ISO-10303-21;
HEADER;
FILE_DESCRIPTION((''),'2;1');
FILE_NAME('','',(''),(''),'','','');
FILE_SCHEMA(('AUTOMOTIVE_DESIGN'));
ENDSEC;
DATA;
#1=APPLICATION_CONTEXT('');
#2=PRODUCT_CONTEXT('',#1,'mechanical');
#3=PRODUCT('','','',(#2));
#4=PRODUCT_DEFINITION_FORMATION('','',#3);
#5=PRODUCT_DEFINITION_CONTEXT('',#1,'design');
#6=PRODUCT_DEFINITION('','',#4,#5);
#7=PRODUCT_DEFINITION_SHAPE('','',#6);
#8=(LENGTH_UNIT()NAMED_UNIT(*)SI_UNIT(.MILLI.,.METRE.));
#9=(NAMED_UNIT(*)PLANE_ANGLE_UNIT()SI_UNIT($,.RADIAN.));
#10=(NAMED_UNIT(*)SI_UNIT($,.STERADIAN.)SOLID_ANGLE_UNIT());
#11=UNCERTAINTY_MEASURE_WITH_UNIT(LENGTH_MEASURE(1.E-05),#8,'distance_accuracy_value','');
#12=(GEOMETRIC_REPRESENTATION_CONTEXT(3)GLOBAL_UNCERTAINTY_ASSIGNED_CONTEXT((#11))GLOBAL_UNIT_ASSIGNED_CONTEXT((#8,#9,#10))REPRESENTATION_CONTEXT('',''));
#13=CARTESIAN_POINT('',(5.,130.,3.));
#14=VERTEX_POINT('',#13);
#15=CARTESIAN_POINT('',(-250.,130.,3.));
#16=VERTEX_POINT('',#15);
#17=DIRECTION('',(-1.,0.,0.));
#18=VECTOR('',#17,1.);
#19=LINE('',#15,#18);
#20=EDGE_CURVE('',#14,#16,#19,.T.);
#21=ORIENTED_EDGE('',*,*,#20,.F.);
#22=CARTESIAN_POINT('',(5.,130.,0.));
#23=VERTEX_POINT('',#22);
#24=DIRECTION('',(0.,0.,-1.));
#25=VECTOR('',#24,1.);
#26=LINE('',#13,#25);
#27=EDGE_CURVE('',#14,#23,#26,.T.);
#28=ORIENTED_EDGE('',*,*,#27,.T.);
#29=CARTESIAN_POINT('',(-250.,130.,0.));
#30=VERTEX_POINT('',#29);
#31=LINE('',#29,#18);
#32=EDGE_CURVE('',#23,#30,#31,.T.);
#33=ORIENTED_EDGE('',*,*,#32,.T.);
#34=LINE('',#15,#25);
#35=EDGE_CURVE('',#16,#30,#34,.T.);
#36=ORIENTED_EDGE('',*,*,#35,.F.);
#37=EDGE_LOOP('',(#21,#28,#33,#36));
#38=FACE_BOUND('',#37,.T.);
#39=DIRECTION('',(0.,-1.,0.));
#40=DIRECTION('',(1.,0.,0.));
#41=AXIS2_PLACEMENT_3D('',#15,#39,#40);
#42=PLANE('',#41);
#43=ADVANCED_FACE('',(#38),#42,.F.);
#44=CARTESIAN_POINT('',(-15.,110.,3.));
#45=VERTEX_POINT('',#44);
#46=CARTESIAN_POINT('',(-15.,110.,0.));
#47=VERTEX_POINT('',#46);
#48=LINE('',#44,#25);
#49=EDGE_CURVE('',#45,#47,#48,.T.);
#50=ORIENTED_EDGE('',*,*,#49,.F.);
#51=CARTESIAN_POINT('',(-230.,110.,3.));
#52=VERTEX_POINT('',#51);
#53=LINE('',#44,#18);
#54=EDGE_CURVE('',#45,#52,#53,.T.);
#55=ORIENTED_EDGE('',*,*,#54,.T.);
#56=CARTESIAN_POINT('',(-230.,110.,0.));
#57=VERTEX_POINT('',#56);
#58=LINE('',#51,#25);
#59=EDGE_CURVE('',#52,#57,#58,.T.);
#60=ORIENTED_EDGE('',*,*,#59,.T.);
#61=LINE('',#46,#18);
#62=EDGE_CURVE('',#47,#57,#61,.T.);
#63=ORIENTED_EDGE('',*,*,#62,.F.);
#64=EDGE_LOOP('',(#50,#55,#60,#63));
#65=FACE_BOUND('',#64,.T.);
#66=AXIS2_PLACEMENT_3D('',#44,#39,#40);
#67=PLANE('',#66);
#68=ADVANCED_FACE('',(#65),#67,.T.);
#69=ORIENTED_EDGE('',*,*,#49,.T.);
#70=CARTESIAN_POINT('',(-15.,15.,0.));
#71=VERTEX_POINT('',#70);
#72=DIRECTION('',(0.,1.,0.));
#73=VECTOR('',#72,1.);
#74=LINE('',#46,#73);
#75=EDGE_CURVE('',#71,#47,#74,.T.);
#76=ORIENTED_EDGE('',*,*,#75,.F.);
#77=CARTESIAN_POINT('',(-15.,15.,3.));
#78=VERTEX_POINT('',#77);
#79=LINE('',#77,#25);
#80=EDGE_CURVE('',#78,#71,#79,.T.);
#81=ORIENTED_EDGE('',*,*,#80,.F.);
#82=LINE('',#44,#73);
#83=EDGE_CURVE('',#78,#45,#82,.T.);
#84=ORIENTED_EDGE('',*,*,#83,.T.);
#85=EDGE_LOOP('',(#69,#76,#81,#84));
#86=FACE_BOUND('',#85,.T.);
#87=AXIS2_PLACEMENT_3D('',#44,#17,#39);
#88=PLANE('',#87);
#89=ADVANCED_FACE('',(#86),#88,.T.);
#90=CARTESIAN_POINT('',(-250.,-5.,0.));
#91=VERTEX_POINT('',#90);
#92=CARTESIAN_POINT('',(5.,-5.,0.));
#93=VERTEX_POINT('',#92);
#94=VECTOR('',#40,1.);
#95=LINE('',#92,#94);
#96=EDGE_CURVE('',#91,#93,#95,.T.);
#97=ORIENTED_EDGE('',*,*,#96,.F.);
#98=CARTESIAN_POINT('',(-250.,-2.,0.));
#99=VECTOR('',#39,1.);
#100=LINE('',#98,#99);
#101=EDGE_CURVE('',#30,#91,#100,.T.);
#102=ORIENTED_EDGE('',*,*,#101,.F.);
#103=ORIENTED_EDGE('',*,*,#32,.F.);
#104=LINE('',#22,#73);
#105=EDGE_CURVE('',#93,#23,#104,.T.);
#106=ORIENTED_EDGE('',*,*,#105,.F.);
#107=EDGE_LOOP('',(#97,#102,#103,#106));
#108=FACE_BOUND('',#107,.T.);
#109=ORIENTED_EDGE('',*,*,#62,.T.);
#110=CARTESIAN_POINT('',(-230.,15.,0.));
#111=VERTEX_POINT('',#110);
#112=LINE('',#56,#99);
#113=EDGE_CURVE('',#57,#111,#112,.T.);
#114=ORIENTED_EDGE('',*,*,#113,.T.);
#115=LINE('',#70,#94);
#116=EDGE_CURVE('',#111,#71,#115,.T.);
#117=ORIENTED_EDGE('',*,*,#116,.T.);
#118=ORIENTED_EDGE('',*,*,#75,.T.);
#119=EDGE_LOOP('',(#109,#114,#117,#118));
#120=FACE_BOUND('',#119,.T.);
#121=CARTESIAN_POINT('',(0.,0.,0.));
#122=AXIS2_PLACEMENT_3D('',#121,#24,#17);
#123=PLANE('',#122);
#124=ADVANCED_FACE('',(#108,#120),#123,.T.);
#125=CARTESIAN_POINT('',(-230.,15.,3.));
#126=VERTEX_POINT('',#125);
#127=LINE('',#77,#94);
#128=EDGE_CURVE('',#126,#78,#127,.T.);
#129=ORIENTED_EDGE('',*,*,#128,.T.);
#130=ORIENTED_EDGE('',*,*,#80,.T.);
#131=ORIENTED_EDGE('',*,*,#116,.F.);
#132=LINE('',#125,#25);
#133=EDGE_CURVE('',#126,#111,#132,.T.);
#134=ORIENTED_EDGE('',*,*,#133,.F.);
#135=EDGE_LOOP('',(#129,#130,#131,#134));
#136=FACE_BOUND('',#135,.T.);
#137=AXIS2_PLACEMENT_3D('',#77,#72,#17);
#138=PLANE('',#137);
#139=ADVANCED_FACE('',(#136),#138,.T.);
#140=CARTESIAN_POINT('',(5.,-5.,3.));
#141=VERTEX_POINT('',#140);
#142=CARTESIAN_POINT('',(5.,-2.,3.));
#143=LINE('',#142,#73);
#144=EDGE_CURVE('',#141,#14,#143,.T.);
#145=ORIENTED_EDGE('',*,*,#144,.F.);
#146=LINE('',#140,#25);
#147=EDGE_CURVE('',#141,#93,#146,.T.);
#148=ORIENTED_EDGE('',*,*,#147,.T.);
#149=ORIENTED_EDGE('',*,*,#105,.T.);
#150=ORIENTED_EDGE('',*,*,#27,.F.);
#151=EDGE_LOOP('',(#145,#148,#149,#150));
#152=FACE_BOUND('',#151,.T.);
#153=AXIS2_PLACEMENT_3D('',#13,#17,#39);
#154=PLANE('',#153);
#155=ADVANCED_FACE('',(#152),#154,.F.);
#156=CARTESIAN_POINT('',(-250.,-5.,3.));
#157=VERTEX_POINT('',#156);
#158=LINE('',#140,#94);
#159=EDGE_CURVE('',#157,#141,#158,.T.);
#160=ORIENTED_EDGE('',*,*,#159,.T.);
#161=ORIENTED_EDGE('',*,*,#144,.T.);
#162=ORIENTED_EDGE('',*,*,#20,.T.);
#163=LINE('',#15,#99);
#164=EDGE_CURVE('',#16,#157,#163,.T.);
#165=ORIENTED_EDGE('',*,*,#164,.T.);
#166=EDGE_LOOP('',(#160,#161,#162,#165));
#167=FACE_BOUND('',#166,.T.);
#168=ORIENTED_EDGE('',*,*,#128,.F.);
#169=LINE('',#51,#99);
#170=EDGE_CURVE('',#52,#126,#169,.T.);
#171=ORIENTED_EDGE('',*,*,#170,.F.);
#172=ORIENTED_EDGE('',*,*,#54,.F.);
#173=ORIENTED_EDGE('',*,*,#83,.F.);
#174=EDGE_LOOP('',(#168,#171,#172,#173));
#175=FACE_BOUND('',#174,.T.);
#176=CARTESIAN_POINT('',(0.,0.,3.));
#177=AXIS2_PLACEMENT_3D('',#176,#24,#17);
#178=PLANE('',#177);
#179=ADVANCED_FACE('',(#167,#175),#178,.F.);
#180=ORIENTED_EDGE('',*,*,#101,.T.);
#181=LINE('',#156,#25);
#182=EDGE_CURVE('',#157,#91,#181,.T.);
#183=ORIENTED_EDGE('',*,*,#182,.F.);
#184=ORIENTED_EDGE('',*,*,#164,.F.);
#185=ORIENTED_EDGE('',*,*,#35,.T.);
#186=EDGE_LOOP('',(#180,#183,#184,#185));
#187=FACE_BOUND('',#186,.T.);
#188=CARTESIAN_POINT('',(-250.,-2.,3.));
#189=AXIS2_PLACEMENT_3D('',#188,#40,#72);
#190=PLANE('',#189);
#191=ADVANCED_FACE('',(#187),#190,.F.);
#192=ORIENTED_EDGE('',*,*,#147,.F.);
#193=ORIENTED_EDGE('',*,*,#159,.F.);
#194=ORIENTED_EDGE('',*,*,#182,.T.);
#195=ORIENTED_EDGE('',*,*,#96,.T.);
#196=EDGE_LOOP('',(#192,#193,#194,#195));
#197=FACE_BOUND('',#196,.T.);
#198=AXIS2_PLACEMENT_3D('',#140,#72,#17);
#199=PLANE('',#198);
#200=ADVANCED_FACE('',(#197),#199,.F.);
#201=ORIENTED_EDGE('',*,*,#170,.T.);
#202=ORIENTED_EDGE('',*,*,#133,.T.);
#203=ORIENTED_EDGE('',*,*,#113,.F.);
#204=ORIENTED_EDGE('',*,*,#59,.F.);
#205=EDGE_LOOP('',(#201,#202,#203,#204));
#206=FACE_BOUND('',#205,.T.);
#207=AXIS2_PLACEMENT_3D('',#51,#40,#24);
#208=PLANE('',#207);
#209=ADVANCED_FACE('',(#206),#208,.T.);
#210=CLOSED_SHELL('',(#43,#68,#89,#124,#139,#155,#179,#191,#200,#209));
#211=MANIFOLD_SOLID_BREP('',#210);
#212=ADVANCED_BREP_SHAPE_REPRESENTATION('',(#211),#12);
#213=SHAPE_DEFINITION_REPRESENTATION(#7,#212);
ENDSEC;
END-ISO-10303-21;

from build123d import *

# Parameters (mm, degrees)
SKETCH1_W           = 215
SKETCH1_H           = 95
BOSS_EXTRUDE1_DEPTH = 3


with BuildPart() as part:
    # Sketch1 → Boss-Extrude1 (new body)
    with BuildSketch(Plane.XY):
        Polygon((5, 130), (5, 127), (5, -2), (5, -5), (-250, -5), (-250, -2), (-250, 127), (-250, 130), align=None)
        with Locations((-122.5, 62.5)):
            Rectangle(SKETCH1_W, SKETCH1_H, mode=Mode.SUBTRACT)
    extrude(amount=BOSS_EXTRUDE1_DEPTH)


solid = part.part
